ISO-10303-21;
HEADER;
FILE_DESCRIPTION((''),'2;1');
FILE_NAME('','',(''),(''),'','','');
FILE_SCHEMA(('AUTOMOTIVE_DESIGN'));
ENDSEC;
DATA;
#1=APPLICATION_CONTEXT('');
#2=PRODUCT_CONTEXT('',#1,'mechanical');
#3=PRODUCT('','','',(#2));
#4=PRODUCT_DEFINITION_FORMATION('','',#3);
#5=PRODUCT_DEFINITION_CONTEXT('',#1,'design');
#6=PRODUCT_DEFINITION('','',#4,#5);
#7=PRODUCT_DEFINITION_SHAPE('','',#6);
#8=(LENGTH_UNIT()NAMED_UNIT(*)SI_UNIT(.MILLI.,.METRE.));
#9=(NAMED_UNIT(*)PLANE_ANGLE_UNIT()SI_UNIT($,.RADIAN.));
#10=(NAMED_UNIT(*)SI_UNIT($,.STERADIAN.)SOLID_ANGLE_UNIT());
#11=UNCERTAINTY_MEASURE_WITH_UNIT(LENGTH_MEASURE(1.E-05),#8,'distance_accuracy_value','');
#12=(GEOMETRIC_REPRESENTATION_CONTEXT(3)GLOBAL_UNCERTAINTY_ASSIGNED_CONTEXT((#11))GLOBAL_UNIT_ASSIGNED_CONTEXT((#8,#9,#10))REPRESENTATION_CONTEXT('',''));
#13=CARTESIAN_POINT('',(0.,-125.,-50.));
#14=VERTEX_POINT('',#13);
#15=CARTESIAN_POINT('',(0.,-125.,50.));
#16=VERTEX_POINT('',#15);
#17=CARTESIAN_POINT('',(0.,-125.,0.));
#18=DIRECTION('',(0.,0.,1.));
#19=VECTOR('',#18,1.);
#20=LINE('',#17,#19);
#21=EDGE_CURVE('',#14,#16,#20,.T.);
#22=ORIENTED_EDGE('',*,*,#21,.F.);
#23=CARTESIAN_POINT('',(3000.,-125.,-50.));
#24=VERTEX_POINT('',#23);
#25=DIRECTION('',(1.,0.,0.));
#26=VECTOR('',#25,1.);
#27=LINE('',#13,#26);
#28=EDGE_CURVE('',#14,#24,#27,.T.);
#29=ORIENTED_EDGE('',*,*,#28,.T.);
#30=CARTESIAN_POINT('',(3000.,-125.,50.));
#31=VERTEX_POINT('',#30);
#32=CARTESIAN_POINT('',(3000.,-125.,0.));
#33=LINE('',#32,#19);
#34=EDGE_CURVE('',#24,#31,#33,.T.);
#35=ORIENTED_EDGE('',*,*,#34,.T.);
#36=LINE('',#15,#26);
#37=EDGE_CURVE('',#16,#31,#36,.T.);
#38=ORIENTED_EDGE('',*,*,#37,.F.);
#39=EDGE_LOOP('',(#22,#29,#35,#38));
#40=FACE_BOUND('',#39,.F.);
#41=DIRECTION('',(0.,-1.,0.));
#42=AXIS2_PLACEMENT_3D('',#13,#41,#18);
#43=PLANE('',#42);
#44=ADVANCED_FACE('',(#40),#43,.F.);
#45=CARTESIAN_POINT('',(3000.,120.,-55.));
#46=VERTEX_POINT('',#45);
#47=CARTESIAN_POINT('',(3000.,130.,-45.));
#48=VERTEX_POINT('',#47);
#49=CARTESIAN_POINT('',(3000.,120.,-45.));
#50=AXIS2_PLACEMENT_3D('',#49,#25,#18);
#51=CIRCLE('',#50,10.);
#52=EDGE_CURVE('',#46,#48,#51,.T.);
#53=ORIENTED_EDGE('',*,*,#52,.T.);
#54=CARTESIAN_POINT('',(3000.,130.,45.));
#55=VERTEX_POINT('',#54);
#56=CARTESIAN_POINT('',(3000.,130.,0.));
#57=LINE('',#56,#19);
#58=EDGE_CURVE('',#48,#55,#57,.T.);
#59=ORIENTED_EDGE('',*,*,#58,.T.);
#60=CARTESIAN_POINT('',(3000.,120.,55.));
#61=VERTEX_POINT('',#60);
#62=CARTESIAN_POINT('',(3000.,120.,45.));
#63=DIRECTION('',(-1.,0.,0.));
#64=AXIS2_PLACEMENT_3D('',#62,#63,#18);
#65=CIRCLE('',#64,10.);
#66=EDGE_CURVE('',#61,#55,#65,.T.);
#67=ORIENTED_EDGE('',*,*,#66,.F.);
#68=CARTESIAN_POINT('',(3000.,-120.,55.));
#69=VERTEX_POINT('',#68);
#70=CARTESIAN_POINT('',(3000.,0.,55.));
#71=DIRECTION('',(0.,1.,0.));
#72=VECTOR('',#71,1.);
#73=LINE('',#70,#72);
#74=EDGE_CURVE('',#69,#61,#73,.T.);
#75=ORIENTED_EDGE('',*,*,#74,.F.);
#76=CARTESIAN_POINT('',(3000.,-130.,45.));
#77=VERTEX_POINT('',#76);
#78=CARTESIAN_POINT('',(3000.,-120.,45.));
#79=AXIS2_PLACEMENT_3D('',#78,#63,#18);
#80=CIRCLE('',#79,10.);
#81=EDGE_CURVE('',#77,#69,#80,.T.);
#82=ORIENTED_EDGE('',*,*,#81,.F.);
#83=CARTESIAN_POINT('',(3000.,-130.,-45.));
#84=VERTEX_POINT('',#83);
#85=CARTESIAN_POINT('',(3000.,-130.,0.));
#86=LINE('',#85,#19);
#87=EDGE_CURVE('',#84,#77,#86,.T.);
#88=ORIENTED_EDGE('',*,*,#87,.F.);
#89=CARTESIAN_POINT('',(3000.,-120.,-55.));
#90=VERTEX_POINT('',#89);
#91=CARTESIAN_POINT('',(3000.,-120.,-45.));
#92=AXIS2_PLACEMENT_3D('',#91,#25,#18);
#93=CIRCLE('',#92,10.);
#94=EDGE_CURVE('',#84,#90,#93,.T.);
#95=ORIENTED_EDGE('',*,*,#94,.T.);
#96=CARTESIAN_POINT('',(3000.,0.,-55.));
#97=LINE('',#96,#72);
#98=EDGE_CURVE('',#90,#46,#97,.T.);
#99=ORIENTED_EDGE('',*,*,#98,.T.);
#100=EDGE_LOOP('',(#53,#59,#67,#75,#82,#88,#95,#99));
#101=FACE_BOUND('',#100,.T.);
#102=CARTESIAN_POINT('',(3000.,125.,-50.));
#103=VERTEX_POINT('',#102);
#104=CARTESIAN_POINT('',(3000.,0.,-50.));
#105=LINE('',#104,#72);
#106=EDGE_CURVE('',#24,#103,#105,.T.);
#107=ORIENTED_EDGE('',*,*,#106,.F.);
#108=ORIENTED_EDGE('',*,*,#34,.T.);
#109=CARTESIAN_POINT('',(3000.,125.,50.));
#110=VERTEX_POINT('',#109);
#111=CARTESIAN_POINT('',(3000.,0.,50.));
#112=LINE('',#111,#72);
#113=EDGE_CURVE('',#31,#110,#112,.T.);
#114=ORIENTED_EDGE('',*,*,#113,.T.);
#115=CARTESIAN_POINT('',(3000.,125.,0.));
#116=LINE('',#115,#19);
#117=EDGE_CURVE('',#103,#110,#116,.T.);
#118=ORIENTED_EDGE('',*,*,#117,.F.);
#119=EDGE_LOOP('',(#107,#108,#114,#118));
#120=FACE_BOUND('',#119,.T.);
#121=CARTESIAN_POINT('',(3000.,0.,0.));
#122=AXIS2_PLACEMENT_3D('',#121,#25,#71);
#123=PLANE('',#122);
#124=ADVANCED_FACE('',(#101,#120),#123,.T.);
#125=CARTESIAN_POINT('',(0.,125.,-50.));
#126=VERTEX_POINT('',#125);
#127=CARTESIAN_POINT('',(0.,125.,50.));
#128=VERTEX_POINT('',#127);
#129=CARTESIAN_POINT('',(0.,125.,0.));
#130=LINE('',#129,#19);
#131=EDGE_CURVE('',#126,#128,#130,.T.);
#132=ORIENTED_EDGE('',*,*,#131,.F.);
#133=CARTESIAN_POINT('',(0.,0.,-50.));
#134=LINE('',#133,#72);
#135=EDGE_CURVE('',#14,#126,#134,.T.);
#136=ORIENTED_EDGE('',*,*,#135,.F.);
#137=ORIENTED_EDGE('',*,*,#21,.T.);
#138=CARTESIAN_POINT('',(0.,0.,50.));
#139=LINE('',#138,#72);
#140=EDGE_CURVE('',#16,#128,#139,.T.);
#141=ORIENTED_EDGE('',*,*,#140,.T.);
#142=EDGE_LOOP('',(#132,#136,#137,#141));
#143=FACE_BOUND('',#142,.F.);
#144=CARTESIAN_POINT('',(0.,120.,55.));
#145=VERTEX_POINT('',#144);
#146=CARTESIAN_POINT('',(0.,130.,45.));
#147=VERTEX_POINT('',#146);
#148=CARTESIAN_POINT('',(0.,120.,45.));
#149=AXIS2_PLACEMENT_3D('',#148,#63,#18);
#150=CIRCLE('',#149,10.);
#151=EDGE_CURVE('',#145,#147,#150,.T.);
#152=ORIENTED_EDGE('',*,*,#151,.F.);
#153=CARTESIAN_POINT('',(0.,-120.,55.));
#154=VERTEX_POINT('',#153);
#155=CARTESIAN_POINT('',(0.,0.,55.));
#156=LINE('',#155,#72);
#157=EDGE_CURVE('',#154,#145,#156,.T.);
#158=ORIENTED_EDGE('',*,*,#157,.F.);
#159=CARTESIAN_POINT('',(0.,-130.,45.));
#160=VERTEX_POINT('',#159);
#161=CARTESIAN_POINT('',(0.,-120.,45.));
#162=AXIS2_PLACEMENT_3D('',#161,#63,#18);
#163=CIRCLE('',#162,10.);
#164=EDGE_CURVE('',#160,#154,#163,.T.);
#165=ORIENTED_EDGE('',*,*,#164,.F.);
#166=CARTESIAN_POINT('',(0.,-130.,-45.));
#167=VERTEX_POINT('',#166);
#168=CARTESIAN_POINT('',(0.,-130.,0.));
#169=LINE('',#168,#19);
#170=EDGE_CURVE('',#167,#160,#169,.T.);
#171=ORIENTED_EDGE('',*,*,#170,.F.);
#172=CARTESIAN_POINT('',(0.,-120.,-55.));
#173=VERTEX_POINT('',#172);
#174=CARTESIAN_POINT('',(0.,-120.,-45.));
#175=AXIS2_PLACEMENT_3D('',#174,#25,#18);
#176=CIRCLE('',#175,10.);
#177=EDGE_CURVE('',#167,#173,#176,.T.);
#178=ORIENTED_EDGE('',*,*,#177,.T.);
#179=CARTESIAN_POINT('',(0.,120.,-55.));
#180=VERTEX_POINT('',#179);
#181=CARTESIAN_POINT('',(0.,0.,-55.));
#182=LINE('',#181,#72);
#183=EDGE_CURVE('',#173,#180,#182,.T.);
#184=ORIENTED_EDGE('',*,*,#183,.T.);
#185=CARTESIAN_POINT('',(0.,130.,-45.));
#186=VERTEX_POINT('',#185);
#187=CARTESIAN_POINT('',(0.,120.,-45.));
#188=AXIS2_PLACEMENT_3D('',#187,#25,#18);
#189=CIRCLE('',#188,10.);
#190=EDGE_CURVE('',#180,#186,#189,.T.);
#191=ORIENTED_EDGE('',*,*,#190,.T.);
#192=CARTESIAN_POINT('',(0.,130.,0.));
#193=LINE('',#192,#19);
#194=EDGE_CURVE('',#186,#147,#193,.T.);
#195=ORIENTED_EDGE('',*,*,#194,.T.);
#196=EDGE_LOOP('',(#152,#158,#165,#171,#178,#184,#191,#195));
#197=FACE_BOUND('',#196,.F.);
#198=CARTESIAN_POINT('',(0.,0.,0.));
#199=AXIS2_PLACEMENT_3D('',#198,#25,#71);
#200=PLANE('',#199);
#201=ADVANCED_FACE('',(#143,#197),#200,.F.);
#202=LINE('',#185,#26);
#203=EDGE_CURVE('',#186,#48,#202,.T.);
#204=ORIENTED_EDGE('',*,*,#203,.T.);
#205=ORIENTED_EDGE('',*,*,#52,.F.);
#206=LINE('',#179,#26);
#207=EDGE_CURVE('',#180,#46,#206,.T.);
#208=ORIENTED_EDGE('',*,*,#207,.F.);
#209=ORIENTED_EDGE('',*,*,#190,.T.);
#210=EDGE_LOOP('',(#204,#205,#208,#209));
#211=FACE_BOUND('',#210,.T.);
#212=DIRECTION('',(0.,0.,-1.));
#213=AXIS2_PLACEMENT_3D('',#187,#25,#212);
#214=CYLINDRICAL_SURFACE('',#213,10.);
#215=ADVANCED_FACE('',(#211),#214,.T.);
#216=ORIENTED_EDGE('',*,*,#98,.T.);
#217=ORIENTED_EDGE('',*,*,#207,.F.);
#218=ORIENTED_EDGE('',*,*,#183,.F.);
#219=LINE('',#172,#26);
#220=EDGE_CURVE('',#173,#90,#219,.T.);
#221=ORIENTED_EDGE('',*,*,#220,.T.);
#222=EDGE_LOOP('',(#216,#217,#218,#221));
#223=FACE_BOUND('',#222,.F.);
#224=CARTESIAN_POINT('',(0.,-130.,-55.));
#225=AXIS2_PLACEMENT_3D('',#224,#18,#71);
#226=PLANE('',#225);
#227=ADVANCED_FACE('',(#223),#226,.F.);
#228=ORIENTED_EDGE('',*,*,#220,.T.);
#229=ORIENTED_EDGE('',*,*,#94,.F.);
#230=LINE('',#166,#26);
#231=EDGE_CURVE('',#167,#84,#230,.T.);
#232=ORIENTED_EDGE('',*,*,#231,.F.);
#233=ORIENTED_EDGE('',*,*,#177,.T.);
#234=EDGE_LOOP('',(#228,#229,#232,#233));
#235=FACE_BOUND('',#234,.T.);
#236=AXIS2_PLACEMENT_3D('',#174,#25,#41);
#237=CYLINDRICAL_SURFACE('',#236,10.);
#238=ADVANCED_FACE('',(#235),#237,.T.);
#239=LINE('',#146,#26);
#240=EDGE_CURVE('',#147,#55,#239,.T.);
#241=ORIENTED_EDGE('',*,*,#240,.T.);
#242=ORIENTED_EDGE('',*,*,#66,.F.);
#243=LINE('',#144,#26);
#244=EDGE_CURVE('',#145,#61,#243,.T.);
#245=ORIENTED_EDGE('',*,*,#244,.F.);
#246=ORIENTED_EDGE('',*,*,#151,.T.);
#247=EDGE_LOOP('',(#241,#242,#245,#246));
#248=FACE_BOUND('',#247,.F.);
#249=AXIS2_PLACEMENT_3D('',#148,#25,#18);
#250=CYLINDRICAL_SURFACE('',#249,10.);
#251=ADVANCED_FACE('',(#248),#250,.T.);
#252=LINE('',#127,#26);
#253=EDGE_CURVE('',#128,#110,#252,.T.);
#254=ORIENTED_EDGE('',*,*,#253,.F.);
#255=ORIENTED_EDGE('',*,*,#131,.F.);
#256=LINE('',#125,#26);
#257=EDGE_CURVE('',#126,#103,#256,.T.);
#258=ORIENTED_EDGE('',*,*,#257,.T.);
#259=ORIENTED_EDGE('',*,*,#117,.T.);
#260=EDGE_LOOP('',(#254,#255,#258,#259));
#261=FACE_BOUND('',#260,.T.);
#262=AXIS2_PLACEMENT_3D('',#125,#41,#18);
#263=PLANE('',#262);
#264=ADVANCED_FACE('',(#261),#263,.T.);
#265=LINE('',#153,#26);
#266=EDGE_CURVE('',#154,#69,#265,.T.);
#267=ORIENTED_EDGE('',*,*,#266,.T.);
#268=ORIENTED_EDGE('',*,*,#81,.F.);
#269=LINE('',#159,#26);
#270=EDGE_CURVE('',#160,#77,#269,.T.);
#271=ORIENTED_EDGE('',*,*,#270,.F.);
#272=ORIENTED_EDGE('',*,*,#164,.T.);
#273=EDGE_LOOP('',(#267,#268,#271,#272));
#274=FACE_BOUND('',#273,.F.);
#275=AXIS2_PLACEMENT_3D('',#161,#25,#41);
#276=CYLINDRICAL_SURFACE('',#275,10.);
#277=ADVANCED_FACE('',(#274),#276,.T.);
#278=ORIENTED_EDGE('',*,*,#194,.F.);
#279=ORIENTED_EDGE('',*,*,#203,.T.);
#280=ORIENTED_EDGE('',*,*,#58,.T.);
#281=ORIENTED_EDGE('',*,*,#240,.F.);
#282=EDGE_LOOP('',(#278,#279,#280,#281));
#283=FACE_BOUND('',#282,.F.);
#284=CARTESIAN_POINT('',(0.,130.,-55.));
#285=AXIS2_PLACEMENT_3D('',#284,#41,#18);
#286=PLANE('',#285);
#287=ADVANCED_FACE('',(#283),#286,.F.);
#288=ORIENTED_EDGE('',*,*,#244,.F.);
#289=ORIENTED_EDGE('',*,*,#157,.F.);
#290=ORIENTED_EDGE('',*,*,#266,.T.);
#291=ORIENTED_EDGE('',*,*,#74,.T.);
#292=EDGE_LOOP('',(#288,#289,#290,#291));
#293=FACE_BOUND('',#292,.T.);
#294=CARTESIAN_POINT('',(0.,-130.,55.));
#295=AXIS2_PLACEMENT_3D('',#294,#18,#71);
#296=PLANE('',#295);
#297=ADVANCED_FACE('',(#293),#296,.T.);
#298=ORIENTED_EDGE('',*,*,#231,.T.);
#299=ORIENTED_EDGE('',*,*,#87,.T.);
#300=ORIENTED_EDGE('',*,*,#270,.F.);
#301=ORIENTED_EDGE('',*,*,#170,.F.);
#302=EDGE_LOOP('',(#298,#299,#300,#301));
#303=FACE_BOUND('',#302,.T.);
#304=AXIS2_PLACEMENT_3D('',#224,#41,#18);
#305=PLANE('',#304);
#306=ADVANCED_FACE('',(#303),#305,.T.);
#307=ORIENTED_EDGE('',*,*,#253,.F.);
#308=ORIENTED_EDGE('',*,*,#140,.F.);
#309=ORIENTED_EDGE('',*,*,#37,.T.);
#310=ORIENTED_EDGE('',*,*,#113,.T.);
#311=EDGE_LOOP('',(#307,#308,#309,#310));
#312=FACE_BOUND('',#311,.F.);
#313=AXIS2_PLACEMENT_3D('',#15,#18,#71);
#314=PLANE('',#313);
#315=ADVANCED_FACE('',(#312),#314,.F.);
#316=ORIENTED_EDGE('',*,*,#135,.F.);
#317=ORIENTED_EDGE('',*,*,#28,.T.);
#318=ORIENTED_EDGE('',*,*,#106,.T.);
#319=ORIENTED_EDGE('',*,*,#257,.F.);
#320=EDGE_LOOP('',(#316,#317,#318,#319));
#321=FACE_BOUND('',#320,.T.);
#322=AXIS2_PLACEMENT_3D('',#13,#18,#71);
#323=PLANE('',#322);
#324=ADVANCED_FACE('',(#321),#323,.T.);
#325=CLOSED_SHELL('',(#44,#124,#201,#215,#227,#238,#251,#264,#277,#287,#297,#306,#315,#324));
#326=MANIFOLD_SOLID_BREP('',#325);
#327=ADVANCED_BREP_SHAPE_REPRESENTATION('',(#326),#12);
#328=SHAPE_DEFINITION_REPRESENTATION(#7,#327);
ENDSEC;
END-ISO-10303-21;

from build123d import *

# Parameters (mm, degrees)
F0_W     = 260
F0_H     = 110
F0_W_2   = 250
F0_H_2   = 100
F1_DEPTH = 3000
F2_R     = 10


with BuildPart() as f1:
    # F0 (on Right) → F1 (new body)
    with BuildSketch(Plane.YZ):
        Rectangle(F0_W, F0_H)
        Rectangle(F0_W_2, F0_H_2, mode=Mode.SUBTRACT)
    extrude(amount=F1_DEPTH)

    # F2
    f2_edges = [f1.edges().sort_by_distance(p)[0] for p in [
        (1500, -130, 55),
        (1500, 130, 55),
        (1500, -130, -55),
        (1500, 130, -55),
    ]]
    fillet(f2_edges, radius=F2_R)


solid = f1.part
